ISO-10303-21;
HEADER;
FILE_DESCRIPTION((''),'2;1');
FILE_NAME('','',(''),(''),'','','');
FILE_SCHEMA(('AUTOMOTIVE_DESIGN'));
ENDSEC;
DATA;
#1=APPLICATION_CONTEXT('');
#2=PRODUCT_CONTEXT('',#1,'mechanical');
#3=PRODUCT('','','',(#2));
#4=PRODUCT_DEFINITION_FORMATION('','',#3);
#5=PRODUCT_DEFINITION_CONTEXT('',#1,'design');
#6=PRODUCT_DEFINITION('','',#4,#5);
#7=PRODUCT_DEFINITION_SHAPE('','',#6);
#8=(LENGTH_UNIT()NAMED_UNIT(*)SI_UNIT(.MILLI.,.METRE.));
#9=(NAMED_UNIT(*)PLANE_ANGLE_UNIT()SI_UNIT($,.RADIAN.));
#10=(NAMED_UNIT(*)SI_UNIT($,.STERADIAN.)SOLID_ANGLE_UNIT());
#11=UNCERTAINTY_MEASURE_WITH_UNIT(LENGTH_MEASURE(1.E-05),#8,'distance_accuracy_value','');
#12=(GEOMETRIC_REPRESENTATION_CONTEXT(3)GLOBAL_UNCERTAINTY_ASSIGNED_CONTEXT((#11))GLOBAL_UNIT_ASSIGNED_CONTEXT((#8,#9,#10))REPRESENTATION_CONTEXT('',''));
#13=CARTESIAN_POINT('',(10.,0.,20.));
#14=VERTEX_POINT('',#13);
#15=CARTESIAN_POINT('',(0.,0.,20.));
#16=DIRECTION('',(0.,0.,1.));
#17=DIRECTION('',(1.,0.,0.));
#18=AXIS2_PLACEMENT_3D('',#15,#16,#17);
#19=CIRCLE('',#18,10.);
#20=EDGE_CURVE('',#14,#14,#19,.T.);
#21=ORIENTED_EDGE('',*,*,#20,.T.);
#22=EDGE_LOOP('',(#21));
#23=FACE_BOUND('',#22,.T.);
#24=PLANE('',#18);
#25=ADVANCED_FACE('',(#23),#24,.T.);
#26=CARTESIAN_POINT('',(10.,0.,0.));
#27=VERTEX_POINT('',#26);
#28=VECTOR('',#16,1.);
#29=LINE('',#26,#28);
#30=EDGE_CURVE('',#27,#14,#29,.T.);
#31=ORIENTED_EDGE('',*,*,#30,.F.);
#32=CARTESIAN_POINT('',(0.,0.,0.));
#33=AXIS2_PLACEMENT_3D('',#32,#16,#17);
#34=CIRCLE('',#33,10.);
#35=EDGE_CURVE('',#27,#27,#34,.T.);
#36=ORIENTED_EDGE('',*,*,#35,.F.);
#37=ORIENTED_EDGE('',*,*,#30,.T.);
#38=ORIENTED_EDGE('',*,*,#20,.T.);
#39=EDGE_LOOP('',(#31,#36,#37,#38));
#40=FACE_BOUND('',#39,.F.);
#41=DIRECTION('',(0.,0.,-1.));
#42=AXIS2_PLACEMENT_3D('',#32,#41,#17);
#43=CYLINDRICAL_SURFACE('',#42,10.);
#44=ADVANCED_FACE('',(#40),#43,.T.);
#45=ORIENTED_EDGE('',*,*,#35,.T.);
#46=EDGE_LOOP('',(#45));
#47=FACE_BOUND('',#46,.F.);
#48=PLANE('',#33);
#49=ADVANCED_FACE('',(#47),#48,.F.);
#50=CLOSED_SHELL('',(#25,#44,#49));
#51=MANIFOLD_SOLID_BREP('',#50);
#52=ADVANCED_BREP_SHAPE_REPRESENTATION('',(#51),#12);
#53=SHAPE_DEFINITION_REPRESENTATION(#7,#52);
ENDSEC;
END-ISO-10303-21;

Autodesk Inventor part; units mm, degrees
ref_plane "YZ Plane" through (0, 0, 0) normal (1, 0, 0) x (0, 1, 0)
ref_plane "XZ Plane" through (0, 0, 0) normal (0, 1, 0) x (-1, 0, 0)
ref_plane "XY Plane" through (0, 0, 0) normal (0, 0, 1) x (1, 0, 0)
sketch "Sketch1" plane through (0, 0, 0) normal (0, 0, 1) x (1, 0, 0)
  circle A0 centre (0, 0) radius 10
  dimension "d0" = 20
extrude "Extrusion1" add sketch "Sketch1" along normal blind 20
properties part number "15_cylinder"
